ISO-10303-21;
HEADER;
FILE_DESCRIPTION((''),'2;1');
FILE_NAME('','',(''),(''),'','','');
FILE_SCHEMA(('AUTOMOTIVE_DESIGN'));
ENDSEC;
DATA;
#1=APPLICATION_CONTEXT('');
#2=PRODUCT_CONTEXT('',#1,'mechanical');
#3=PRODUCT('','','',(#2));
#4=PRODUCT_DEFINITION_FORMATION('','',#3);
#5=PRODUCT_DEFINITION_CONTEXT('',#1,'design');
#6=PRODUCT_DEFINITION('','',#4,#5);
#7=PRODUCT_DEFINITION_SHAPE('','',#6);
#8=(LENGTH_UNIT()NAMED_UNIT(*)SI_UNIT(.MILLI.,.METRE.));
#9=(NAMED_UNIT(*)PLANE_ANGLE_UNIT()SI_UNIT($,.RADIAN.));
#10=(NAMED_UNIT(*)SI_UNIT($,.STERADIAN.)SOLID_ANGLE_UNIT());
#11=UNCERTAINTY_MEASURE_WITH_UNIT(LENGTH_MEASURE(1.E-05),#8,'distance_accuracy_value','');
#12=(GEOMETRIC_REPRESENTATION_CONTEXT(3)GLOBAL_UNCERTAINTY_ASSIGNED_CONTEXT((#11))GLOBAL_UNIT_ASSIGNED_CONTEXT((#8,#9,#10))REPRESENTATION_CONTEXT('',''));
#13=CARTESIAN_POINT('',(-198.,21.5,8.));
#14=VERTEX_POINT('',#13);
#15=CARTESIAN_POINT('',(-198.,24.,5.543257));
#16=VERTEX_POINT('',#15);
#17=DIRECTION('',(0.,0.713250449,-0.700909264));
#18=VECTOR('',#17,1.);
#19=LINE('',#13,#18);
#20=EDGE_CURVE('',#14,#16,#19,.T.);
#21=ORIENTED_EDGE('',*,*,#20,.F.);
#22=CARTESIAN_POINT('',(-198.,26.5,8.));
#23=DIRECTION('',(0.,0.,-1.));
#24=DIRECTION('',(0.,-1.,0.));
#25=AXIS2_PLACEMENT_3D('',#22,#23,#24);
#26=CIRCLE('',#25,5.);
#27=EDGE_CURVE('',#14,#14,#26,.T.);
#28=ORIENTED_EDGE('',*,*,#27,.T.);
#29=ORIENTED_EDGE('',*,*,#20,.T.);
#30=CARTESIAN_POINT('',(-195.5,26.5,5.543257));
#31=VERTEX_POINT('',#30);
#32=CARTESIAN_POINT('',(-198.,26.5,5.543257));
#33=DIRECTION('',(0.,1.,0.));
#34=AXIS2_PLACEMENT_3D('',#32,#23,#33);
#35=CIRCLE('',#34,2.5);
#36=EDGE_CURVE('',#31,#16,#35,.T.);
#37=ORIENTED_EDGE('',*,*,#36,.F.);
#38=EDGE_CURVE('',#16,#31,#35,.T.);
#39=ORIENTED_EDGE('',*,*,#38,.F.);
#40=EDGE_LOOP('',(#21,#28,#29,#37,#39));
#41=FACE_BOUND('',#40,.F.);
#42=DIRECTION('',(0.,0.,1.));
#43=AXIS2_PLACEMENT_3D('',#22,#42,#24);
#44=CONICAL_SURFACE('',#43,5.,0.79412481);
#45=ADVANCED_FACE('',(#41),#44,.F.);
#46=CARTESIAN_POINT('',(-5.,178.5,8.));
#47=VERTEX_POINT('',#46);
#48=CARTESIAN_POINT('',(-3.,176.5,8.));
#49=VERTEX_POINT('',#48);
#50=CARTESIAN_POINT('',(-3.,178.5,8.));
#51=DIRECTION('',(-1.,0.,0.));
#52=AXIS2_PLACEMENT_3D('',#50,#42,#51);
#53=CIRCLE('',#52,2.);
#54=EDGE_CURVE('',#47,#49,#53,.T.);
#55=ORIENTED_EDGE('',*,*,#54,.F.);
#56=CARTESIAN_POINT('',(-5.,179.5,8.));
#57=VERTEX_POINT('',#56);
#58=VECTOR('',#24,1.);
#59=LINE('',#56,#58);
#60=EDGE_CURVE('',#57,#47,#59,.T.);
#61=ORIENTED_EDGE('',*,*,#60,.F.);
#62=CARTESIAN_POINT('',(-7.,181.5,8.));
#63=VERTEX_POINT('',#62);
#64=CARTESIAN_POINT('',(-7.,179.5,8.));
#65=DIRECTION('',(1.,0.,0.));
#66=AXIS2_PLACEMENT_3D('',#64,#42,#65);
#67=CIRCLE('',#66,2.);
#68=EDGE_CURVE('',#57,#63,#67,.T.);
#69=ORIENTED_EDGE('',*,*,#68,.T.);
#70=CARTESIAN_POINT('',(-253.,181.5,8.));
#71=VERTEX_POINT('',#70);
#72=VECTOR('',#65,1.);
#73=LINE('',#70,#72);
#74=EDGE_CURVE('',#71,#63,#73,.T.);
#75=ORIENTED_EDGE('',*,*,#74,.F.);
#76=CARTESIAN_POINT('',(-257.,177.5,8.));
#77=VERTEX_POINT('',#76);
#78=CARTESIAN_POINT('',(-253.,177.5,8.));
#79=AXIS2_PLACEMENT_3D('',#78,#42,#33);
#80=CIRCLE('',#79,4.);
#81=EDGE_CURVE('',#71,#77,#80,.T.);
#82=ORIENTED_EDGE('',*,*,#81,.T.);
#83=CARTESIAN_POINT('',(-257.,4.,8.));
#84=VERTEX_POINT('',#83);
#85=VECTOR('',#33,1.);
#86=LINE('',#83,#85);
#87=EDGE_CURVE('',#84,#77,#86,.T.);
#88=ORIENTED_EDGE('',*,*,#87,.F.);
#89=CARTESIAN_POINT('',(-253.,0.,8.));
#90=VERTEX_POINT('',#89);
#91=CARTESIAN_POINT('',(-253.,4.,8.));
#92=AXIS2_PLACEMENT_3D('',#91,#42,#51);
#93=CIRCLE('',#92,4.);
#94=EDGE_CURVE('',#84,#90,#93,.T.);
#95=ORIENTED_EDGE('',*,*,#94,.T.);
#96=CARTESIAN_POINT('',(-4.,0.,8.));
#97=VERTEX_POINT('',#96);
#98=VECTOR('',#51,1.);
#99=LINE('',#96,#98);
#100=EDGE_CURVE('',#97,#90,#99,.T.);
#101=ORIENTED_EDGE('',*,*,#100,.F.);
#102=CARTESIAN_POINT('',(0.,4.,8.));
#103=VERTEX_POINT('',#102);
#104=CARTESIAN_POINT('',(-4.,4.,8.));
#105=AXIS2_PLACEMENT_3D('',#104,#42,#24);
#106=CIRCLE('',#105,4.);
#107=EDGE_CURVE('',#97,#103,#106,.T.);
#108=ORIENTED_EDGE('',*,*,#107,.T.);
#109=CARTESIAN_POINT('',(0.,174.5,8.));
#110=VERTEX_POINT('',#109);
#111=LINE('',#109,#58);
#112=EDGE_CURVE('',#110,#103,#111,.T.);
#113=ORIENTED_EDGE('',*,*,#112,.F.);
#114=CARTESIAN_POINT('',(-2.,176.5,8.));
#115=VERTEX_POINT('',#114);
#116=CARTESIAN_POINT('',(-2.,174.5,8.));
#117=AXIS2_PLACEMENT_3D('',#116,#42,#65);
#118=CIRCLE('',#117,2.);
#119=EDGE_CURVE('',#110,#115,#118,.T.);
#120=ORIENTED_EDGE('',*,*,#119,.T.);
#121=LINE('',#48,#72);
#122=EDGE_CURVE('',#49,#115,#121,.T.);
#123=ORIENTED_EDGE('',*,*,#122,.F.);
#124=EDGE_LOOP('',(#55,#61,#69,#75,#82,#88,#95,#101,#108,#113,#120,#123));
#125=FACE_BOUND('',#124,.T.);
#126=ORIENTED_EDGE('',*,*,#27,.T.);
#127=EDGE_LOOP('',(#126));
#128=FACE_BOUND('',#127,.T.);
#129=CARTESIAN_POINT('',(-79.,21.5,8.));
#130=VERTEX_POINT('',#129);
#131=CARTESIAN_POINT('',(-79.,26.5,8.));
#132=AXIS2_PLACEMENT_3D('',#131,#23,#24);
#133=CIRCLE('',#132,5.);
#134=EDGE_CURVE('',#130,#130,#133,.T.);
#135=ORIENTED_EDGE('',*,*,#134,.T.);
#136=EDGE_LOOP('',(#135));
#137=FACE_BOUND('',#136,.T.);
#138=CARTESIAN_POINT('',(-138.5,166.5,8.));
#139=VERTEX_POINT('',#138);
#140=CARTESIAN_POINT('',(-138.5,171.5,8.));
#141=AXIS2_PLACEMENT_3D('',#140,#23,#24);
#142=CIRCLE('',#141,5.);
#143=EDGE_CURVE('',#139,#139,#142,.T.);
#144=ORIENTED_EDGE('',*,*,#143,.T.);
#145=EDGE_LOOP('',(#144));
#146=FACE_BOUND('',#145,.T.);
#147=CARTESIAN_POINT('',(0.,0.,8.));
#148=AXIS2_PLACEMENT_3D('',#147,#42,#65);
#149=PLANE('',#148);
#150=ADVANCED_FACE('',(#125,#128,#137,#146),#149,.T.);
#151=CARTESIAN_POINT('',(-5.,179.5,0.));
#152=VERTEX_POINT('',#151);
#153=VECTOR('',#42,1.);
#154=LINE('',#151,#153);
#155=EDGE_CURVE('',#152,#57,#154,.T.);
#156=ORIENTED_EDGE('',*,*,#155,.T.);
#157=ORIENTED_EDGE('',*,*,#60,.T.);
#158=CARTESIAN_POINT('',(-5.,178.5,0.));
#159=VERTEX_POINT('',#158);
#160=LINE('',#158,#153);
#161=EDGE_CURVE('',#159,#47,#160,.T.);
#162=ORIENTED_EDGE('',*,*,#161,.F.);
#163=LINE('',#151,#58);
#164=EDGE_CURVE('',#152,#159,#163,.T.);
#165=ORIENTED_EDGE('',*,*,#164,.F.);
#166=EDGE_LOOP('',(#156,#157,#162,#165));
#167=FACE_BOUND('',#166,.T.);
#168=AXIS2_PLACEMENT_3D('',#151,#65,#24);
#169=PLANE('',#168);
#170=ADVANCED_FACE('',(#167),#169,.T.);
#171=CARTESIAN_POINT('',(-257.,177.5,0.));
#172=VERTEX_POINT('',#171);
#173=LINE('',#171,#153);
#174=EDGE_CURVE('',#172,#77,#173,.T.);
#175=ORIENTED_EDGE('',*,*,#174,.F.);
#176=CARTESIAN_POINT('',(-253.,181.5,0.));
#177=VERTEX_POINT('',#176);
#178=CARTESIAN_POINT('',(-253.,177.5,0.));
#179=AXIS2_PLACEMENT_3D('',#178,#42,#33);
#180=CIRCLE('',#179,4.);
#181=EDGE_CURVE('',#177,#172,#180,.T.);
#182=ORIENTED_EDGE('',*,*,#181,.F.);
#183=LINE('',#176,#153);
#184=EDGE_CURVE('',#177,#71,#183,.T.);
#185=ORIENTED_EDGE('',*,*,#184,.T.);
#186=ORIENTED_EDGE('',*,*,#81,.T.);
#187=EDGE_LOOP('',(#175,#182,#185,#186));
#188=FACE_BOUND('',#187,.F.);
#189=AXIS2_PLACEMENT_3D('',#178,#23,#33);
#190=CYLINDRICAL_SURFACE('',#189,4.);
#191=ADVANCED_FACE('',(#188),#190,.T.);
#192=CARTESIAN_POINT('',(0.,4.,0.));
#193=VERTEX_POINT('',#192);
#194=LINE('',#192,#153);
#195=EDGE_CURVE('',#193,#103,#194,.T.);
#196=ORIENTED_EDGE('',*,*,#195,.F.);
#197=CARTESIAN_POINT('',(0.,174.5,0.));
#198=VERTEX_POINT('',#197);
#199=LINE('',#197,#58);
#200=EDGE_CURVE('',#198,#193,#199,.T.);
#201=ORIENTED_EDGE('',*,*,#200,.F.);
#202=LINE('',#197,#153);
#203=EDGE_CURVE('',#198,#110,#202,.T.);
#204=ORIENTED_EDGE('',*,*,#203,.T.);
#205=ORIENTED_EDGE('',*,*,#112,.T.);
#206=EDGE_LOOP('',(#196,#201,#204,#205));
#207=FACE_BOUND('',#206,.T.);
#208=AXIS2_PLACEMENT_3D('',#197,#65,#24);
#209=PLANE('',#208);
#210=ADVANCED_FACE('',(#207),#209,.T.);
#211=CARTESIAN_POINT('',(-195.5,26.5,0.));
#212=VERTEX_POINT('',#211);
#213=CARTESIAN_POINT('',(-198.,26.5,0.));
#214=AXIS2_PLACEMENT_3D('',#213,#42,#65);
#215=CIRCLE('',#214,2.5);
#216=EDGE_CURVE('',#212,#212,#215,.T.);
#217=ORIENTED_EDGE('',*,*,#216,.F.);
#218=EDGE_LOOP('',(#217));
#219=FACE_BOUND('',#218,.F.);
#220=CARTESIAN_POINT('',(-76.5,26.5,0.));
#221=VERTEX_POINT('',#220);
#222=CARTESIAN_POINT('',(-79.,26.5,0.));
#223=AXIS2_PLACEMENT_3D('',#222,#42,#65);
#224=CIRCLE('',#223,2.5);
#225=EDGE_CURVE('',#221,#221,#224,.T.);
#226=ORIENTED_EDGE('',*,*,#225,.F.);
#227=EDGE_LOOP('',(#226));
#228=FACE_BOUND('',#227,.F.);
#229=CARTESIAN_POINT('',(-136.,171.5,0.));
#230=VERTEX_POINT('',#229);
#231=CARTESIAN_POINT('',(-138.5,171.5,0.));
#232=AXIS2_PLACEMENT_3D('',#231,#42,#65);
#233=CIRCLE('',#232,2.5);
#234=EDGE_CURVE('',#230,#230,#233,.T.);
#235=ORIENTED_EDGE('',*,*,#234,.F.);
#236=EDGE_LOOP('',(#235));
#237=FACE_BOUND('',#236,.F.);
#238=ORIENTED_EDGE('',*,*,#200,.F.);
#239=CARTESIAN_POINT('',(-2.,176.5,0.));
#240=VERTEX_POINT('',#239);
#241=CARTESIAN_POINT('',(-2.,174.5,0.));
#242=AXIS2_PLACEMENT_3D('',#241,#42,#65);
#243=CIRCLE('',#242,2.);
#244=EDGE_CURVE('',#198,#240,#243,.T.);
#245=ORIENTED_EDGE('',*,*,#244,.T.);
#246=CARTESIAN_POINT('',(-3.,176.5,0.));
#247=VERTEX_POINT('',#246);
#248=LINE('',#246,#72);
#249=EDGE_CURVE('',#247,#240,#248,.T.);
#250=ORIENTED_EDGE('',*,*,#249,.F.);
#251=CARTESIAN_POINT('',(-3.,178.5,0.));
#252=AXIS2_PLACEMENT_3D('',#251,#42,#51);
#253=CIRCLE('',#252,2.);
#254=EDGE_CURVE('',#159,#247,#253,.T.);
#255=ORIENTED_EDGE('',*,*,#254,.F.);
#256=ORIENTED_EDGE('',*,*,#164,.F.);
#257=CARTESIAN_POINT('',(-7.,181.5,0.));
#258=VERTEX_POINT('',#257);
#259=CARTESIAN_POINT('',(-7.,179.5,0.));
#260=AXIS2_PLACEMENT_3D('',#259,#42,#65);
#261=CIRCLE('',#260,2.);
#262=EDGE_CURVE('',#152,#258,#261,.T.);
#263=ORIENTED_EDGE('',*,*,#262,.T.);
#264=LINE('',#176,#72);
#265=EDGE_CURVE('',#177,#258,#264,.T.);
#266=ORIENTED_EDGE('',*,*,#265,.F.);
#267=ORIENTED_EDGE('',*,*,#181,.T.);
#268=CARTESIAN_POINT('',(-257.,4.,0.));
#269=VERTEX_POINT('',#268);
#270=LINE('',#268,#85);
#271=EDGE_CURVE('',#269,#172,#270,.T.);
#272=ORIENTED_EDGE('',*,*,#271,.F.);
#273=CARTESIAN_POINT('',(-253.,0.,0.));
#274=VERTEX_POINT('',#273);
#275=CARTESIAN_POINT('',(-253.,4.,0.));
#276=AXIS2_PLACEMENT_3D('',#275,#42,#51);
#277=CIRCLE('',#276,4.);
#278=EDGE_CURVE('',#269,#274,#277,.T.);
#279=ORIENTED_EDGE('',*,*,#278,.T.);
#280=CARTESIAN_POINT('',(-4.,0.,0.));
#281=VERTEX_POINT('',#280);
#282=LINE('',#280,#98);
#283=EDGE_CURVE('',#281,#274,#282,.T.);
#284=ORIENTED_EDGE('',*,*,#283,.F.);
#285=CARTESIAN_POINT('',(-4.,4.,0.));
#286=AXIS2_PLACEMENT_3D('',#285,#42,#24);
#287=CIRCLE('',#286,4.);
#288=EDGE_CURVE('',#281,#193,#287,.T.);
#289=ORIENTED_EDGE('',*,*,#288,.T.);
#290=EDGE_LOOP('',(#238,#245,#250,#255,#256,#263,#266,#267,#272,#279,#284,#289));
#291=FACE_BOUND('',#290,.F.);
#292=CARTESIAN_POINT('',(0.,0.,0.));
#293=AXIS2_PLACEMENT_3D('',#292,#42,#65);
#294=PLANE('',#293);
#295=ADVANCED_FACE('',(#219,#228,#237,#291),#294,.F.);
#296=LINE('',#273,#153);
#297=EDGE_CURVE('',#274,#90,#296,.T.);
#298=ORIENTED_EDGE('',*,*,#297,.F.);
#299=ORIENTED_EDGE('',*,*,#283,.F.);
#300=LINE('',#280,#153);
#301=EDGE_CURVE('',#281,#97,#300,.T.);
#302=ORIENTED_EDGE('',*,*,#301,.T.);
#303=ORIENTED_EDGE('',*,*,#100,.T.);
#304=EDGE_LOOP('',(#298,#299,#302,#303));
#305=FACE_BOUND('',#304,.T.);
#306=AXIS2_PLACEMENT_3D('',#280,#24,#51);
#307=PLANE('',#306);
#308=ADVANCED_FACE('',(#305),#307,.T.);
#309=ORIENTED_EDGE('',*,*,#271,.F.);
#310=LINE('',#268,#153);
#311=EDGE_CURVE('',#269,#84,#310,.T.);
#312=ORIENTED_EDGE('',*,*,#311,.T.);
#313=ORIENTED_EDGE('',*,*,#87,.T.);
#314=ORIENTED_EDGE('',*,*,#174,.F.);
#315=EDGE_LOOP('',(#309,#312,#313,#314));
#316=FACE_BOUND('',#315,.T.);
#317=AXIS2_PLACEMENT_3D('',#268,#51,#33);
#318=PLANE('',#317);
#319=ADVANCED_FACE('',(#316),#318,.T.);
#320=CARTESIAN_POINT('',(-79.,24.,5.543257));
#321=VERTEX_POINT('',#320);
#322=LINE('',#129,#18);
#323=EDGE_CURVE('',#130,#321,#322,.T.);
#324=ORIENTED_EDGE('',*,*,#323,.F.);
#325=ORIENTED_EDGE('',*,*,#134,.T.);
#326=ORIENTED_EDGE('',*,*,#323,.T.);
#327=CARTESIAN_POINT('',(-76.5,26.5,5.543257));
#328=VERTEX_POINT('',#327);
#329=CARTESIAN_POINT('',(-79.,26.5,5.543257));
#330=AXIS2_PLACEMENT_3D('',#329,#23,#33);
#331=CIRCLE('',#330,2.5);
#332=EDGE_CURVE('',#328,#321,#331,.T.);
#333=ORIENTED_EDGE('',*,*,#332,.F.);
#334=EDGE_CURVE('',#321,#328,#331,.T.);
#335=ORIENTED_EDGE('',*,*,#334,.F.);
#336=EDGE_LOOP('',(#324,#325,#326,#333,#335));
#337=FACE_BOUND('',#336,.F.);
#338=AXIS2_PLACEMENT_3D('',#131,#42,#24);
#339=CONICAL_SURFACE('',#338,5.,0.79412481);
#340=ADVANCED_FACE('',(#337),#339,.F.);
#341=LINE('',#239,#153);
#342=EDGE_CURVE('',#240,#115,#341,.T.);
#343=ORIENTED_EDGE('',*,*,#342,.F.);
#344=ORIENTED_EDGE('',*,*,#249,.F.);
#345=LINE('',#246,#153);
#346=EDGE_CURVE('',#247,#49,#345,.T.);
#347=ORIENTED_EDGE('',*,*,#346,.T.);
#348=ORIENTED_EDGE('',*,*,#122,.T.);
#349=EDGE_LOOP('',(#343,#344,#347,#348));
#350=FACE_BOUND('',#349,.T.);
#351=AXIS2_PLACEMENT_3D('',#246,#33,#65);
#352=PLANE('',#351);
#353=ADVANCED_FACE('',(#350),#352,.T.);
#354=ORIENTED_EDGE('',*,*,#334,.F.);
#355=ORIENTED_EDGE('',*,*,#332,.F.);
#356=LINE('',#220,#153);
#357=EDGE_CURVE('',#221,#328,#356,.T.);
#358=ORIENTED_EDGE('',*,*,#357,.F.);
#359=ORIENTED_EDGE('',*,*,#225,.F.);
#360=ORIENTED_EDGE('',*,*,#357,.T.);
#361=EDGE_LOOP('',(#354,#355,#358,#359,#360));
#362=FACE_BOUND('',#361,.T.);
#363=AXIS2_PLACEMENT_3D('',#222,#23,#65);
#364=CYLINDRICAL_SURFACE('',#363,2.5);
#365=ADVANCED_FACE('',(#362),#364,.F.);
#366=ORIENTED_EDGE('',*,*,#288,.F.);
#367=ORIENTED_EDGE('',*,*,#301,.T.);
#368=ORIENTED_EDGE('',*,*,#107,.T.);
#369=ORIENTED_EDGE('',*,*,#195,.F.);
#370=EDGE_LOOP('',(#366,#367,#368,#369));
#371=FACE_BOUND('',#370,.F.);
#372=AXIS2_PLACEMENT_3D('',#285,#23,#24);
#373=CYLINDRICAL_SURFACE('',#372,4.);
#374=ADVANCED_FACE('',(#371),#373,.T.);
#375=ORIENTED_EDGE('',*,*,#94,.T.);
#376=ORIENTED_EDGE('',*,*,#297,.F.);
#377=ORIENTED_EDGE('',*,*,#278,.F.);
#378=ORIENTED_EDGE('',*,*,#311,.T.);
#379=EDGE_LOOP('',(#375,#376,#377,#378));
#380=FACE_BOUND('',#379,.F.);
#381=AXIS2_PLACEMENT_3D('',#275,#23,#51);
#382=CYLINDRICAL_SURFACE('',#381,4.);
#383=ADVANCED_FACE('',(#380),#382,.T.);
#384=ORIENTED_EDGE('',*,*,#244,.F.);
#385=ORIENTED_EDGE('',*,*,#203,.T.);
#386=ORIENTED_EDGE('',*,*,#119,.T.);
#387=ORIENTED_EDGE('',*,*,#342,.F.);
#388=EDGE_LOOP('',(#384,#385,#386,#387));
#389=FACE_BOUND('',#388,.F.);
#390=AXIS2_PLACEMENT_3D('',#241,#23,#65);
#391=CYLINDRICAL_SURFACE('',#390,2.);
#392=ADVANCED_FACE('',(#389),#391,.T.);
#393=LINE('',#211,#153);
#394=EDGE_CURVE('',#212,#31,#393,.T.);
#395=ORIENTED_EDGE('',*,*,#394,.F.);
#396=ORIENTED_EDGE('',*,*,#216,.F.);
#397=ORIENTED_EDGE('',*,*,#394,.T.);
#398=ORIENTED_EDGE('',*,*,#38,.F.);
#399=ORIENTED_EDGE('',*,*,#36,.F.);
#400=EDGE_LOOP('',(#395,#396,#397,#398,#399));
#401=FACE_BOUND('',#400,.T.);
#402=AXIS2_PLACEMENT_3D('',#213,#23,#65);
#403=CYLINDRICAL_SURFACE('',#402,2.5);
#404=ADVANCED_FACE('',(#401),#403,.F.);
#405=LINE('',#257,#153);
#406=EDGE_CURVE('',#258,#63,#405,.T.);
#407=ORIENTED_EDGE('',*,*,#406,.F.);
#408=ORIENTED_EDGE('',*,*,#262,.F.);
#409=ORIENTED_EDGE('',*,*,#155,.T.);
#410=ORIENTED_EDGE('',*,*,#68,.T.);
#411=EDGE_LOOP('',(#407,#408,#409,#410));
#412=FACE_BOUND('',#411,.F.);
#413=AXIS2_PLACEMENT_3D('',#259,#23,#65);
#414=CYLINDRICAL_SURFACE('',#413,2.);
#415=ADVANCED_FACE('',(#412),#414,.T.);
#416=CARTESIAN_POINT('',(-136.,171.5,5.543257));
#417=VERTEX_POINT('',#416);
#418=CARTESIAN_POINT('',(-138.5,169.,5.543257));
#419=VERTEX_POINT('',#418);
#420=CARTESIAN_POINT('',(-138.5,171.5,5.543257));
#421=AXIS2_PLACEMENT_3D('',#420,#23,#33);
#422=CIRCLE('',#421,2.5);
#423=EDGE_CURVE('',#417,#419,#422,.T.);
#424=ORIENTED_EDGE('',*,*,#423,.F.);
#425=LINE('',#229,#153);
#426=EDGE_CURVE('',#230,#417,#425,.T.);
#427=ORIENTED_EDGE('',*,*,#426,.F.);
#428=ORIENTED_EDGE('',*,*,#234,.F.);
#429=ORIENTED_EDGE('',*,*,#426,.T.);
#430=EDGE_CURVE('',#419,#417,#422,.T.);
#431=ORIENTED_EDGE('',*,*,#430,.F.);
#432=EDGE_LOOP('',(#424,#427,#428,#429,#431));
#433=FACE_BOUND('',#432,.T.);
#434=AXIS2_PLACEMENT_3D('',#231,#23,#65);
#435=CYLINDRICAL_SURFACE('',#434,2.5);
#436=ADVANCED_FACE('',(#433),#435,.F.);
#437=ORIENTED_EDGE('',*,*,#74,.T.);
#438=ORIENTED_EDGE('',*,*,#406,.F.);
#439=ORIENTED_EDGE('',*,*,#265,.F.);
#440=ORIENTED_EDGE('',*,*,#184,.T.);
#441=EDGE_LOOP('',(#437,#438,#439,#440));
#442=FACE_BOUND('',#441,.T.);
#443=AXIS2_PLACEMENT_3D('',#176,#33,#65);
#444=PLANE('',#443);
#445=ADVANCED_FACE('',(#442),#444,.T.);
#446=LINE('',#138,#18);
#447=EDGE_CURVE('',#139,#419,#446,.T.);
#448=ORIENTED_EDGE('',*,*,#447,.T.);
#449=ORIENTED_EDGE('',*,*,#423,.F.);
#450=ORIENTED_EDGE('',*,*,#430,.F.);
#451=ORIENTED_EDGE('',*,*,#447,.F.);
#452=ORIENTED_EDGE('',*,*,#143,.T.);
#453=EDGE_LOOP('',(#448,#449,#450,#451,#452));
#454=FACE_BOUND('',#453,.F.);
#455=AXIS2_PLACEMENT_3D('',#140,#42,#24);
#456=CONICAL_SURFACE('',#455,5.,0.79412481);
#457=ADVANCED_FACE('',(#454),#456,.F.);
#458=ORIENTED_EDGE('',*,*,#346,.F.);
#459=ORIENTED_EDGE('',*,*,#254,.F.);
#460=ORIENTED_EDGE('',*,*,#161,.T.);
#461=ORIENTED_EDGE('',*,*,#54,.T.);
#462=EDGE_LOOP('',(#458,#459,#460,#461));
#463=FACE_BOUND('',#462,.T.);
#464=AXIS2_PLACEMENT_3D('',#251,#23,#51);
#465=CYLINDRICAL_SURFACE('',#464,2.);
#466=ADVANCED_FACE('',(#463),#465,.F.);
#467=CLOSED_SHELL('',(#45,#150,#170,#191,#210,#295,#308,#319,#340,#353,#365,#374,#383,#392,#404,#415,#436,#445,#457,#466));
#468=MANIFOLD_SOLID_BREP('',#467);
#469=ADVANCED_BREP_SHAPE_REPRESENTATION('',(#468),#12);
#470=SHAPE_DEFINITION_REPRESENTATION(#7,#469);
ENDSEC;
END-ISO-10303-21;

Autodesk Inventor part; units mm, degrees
ref_plane "YZ Plane" through (0, 0, 0) normal (1, 0, 0) x (0, 1, 0)
ref_plane "XZ Plane" through (0, 0, 0) normal (0, 1, 0) x (-1, 0, 0)
ref_plane "XY Plane" through (0, 0, 0) normal (0, 0, 1) x (1, 0, 0)
sketch "Sketch1" plane through (0, 0, 0) normal (0, 0, 1) x (1, 0, 0)
  circle A0 centre (-79, 26.5) radius 2.5
  circle A1 centre (-198, 26.5) radius 2.5
  circle A2 centre (-138.5, 171.5) radius 2.5
  line L0 (-4, 0) -> (-253, 0)
  arc A3 (-4, 0) -> (0, 4) centre (-4, 4) ccw
  line L1 (0, 174.5) -> (0, 4)
  arc A4 (0, 174.5) -> (-2, 176.5) centre (-2, 174.5) ccw
  line L2 (-3, 176.5) -> (-2, 176.5)
  arc A5 (-5, 178.5) -> (-3, 176.5) centre (-3, 178.5) ccw
  line L3 (-5, 179.5) -> (-5, 178.5)
  arc A6 (-5, 179.5) -> (-7, 181.5) centre (-7, 179.5) ccw
  line L4 (-253, 181.5) -> (-7, 181.5)
  arc A7 (-253, 181.5) -> (-257, 177.5) centre (-253, 177.5) ccw
  line L5 (-257, 4) -> (-257, 177.5)
  arc A8 (-257, 4) -> (-253, 0) centre (-253, 4) ccw
  point P0 (0, 0)
  point P1 (0, 0)
  dimension "d2" = 119
  dimension "d4" = 145
  dimension "d5" = 59.5
  dimension "d6" = 79
  dimension "d7" = 26.5
  dimension "d8" = 10
  dimension "d9" = 59
  dimension "d10" = 5
  dimension "d11" = 5
  dimension "d12" = 5
  dimension "d13" = 4
  dimension "d14" = 2
  dimension "d15" = 2
  dimension "d16" = 4
  dimension "d17" = 4
  dimension "d18" = 5
  dimension "d19" = 5
extrude "Extrusion1" add sketch "Sketch1" along normal blind 8
sketch "Sketch3" plane through (0, 0, 8) normal (0, 0, 1) x (1, 0, 0)
  circle A0 centre (-79, 26.5) radius 2.5 projected
  circle A1 centre (-198, 26.5) radius 2.5 projected
  circle A2 centre (-138.5, 171.5) radius 2.5 projected
  point P0 (0, 0)
hole "Hole1" at (-198, 26.5, 8) at (-79, 26.5, 8) at (-138.5, 171.5, 8) direction (0, 0, -1) diameter 10 depth 0 tip angle 91
properties part number "zCarPlexiBed"
